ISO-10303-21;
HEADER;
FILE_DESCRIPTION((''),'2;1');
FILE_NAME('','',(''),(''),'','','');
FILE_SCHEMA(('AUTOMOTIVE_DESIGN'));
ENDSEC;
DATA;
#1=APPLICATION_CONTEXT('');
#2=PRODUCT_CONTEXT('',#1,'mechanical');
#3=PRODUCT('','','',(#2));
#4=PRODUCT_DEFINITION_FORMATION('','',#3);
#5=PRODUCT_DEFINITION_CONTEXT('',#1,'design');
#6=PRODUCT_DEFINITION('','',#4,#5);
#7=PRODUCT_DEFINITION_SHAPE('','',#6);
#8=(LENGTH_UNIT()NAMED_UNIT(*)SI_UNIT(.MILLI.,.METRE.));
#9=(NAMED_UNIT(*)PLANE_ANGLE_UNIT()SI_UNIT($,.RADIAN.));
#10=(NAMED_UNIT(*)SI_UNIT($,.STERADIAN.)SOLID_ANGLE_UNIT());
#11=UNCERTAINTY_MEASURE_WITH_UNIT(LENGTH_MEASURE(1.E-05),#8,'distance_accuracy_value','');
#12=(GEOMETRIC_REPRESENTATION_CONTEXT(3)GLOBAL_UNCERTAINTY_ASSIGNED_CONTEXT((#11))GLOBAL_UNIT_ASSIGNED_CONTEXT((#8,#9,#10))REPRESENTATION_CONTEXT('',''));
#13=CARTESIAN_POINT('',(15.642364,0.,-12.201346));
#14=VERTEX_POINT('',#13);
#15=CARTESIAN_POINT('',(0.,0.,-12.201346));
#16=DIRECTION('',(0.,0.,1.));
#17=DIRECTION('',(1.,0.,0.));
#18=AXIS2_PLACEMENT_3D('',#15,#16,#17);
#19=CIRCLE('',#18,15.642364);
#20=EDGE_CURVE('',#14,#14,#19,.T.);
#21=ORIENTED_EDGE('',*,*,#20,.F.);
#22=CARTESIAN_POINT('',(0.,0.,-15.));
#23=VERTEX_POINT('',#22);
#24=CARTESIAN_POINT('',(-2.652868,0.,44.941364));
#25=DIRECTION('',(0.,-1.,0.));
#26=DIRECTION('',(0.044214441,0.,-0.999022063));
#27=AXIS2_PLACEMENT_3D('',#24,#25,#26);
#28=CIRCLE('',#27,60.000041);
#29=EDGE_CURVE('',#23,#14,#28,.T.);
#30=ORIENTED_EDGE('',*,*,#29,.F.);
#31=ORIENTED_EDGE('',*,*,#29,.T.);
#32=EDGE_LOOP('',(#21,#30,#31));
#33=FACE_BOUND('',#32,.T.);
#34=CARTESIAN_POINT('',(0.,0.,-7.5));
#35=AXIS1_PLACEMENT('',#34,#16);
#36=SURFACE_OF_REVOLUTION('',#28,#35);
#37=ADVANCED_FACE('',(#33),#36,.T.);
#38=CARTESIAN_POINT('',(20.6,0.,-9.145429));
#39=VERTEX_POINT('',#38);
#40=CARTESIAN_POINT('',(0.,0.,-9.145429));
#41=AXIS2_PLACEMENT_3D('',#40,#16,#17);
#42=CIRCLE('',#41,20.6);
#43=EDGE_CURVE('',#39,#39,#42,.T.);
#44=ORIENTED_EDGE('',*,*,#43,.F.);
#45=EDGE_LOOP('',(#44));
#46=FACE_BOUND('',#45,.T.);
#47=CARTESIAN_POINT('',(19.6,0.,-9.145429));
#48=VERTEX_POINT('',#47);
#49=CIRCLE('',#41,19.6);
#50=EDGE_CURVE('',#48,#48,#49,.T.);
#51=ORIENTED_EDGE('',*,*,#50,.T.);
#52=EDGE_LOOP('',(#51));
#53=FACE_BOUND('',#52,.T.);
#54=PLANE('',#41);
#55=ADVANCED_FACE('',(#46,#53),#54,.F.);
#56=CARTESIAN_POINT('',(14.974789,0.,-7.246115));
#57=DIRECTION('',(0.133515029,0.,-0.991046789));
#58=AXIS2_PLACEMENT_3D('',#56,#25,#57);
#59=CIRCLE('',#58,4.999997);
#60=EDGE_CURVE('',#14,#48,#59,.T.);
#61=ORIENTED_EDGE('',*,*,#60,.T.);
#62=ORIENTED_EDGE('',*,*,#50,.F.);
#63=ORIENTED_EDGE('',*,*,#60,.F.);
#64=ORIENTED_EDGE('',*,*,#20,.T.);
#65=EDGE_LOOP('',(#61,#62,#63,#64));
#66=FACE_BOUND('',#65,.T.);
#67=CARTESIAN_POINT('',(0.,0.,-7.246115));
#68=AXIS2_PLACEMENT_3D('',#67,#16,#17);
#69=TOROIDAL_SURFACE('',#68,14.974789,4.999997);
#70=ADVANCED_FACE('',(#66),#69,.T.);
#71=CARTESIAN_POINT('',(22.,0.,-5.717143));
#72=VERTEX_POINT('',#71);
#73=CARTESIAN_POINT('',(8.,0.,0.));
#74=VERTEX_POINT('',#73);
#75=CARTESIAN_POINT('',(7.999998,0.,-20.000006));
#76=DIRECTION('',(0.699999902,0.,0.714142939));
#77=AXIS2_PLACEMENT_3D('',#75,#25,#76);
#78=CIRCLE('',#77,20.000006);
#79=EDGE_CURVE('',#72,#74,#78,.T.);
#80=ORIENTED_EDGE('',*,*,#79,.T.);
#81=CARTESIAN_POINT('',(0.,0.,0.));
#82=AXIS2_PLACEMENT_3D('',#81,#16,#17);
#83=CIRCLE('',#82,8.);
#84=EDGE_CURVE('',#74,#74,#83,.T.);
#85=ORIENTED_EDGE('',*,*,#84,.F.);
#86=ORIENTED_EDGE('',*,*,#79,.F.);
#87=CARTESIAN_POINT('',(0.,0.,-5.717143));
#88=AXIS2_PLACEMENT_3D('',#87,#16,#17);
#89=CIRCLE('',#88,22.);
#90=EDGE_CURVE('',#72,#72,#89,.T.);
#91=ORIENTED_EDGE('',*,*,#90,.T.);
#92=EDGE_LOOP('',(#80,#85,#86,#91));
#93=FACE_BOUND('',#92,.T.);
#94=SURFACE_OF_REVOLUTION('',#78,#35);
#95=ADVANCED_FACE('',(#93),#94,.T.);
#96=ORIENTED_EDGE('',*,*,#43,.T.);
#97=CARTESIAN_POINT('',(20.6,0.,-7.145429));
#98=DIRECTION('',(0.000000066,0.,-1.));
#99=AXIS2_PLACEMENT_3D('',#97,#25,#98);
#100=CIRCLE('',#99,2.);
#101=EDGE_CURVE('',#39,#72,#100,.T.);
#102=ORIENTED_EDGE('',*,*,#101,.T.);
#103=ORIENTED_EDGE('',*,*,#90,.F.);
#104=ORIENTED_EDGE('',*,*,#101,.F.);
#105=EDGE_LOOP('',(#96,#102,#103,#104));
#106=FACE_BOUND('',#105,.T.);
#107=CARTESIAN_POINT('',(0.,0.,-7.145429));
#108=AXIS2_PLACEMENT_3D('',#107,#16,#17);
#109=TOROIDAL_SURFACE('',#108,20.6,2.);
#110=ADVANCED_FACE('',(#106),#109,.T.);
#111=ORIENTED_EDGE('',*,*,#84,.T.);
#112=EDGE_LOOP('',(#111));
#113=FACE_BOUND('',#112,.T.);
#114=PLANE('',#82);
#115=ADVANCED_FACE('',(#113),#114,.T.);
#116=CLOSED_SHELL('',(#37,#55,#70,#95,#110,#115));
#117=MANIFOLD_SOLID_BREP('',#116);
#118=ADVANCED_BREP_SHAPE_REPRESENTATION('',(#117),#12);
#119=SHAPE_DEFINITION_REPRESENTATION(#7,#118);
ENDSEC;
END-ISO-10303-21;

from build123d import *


with BuildPart() as f1:
    # F0 (on Front) → F1 (revolve)
    with BuildSketch(Plane.XZ):
        with BuildLine():
            Line((8, 0), (0, 0))
            Line((0, 0), (0, -15))
            ThreePointArc((0, -15), (7.914243, -14.120815), (15.642364, -12.201346))
            ThreePointArc((15.642364, -12.201346), (18.030612, -11.203629), (19.6, -9.145429))
            Line((19.6, -9.145429), (20.6, -9.145429))
            ThreePointArc((20.6, -9.145429), (22.451563, -7.901547), (22, -5.717143))
            ThreePointArc((22, -5.717143), (15.561179, -1.48437), (8, 0))
        make_face()
    revolve(axis=Axis((0, 0, -7.5), (0, 0, 1)))


solid = f1.part
